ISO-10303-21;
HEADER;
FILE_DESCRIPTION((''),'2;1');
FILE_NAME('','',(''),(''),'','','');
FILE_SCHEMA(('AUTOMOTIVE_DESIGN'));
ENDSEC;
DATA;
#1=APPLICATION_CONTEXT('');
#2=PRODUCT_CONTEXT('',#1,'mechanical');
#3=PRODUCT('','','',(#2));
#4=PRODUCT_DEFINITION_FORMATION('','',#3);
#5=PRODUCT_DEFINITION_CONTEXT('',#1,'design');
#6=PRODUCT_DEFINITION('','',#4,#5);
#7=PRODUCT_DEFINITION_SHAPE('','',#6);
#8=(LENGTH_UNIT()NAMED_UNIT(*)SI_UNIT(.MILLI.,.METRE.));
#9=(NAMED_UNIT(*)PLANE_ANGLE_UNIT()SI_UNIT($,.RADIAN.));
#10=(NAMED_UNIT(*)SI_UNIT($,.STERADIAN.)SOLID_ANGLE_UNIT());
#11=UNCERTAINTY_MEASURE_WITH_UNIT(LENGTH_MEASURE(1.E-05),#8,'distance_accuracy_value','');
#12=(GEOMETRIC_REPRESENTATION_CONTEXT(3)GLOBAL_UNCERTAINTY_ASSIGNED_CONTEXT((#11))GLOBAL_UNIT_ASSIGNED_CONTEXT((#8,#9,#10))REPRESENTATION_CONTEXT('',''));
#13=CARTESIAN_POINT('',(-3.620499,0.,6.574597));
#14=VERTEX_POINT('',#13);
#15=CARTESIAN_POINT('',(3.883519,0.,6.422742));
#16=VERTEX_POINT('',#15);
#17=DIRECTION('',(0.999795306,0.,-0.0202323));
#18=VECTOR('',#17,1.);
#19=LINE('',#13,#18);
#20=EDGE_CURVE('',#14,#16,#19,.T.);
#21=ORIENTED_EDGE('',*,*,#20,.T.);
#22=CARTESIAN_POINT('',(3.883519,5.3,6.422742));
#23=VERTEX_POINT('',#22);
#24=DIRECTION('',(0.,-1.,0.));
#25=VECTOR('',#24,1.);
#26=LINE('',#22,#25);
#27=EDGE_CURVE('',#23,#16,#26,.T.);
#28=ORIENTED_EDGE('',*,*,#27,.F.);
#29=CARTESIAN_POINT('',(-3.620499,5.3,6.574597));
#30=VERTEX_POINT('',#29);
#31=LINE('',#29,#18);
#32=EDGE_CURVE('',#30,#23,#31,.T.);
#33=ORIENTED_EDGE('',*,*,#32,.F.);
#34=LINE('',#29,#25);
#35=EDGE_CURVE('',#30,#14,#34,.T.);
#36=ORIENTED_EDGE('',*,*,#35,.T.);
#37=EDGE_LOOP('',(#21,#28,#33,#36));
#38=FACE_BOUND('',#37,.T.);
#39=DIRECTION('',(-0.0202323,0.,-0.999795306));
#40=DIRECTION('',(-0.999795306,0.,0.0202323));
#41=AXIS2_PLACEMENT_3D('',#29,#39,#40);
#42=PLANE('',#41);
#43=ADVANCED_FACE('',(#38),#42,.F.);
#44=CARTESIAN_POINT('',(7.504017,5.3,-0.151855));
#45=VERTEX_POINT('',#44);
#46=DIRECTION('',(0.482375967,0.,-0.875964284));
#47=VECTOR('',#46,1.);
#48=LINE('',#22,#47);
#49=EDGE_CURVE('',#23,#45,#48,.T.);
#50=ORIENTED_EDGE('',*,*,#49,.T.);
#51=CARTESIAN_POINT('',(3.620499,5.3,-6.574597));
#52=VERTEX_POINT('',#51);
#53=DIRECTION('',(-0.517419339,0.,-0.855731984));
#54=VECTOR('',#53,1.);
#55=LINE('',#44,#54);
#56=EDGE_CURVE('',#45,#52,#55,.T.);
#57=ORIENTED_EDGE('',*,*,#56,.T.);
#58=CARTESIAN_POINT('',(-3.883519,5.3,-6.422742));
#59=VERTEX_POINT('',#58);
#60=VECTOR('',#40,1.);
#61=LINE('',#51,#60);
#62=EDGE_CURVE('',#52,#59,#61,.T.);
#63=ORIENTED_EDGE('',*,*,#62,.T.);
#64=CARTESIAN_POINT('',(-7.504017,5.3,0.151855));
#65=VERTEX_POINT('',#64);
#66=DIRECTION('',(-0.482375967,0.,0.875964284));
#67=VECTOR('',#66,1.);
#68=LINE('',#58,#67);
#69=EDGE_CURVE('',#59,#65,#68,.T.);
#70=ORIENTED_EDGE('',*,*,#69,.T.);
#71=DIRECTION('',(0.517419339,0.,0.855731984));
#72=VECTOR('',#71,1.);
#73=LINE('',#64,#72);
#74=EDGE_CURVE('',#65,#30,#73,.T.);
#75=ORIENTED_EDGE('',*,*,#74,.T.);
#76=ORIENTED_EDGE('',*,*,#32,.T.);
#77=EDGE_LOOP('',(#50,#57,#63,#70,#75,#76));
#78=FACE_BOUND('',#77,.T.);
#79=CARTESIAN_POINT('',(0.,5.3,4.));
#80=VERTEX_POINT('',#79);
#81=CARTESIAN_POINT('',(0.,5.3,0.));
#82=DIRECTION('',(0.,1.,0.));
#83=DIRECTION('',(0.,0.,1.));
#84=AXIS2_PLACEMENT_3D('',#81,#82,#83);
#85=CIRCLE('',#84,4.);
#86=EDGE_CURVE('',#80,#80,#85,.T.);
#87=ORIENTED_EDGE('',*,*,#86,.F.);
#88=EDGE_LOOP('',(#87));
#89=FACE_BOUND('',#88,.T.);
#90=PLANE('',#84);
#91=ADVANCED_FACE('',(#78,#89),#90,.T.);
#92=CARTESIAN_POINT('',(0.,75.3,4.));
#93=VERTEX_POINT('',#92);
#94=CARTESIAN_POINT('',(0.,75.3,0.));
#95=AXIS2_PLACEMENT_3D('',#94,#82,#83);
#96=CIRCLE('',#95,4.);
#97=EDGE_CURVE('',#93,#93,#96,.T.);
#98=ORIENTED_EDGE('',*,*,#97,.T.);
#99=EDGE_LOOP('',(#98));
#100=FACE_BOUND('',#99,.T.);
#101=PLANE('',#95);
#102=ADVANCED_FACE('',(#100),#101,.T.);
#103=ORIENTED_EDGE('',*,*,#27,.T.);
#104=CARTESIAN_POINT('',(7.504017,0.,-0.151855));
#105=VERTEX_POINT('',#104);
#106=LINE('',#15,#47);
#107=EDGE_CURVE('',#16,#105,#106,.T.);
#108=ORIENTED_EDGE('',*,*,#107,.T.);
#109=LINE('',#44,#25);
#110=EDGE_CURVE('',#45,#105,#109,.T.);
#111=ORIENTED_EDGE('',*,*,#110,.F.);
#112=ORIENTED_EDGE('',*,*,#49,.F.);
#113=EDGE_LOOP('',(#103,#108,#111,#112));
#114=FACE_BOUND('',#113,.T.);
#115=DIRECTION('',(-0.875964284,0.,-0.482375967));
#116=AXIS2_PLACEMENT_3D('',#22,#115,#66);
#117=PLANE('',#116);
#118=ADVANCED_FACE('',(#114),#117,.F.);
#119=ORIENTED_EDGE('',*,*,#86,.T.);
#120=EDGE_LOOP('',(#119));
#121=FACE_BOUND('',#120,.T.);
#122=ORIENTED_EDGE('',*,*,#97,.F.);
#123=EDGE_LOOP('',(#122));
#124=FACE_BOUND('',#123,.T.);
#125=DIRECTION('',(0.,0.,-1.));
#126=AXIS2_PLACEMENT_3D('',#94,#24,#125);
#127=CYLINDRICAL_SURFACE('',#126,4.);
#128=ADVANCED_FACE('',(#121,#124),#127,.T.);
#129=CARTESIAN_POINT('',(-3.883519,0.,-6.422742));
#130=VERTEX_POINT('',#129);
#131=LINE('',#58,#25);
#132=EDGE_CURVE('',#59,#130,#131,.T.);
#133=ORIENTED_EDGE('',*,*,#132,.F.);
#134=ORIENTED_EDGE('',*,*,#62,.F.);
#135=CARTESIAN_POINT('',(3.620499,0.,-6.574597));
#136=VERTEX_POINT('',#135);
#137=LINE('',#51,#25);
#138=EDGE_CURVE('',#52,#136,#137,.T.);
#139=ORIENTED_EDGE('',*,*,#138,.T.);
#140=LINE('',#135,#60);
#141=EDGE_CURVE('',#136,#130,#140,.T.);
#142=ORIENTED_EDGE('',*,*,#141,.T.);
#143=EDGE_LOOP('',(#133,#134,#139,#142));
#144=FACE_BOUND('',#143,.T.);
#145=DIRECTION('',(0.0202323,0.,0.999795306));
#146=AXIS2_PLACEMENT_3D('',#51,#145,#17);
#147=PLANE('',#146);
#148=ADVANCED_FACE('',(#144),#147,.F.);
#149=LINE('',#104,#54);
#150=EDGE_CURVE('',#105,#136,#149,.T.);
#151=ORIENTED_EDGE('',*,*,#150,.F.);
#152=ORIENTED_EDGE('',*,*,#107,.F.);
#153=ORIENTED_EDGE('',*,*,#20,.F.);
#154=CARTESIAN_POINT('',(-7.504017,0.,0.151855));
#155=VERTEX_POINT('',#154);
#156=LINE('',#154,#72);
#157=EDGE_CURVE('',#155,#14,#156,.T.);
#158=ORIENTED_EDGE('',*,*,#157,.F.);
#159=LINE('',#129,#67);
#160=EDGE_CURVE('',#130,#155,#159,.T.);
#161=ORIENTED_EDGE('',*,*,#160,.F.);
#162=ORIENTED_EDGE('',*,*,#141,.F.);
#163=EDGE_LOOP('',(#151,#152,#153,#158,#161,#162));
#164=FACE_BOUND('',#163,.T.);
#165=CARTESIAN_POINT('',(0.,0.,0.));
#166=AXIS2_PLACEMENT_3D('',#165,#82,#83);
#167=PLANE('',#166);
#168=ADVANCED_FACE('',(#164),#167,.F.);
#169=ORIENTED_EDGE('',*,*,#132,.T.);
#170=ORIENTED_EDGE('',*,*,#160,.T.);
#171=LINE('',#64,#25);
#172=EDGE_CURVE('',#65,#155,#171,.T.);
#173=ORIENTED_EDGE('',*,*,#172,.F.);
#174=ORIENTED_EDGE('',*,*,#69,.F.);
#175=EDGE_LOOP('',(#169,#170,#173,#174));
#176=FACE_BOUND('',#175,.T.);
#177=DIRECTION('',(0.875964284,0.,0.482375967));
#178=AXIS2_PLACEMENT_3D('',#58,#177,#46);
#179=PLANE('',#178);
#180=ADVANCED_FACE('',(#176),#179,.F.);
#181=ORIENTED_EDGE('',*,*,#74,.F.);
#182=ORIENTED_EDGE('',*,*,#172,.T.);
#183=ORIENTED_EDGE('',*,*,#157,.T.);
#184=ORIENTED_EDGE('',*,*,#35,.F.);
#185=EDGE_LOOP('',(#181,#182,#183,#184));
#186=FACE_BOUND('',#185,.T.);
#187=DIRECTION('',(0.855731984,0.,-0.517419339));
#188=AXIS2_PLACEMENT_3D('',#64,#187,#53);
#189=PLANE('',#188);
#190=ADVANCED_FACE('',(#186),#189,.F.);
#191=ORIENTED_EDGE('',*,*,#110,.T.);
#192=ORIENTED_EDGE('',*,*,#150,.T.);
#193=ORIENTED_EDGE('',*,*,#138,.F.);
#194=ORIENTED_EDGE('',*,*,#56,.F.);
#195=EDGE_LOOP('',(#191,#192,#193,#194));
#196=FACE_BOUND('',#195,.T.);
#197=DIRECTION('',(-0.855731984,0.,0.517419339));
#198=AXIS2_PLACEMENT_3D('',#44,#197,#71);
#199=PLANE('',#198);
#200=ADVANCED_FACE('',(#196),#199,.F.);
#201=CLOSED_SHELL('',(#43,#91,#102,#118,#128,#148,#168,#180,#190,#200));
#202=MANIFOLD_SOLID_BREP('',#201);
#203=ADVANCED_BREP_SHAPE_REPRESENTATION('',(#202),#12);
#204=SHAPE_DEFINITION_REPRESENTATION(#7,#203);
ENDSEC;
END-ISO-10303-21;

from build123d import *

# Parameters (mm, degrees)
BOSS_EXTRUDE1_DEPTH = 5.3
SKETCH2_R           = 4
BOSS_EXTRUDE2_DEPTH = 70


with BuildPart() as part:
    # Sketch1 → Boss-Extrude1 (new body)
    with BuildSketch(Plane(origin=(0, 0, 0), x_dir=(1, 0, 0), z_dir=(0, 1, 0))):
        Polygon((3.88351853, -6.422742184), (7.504017158, 0.151854611), (3.620498628, 6.574596795), (-3.88351853, 6.422742184), (-7.504017158, -0.151854611), (-3.620498628, -6.574596795), align=None)
    extrude(amount=BOSS_EXTRUDE1_DEPTH)

    # Sketch2 → Boss-Extrude2 (add)
    with BuildSketch(Plane(origin=(0, 5.3, 0), x_dir=(1, 0, 0), z_dir=(0, 1, 0))):
        with Locations(Location((0, 0, 0), (0, 0, 270))):
            Circle(SKETCH2_R)
    extrude(amount=BOSS_EXTRUDE2_DEPTH)


solid = part.part
